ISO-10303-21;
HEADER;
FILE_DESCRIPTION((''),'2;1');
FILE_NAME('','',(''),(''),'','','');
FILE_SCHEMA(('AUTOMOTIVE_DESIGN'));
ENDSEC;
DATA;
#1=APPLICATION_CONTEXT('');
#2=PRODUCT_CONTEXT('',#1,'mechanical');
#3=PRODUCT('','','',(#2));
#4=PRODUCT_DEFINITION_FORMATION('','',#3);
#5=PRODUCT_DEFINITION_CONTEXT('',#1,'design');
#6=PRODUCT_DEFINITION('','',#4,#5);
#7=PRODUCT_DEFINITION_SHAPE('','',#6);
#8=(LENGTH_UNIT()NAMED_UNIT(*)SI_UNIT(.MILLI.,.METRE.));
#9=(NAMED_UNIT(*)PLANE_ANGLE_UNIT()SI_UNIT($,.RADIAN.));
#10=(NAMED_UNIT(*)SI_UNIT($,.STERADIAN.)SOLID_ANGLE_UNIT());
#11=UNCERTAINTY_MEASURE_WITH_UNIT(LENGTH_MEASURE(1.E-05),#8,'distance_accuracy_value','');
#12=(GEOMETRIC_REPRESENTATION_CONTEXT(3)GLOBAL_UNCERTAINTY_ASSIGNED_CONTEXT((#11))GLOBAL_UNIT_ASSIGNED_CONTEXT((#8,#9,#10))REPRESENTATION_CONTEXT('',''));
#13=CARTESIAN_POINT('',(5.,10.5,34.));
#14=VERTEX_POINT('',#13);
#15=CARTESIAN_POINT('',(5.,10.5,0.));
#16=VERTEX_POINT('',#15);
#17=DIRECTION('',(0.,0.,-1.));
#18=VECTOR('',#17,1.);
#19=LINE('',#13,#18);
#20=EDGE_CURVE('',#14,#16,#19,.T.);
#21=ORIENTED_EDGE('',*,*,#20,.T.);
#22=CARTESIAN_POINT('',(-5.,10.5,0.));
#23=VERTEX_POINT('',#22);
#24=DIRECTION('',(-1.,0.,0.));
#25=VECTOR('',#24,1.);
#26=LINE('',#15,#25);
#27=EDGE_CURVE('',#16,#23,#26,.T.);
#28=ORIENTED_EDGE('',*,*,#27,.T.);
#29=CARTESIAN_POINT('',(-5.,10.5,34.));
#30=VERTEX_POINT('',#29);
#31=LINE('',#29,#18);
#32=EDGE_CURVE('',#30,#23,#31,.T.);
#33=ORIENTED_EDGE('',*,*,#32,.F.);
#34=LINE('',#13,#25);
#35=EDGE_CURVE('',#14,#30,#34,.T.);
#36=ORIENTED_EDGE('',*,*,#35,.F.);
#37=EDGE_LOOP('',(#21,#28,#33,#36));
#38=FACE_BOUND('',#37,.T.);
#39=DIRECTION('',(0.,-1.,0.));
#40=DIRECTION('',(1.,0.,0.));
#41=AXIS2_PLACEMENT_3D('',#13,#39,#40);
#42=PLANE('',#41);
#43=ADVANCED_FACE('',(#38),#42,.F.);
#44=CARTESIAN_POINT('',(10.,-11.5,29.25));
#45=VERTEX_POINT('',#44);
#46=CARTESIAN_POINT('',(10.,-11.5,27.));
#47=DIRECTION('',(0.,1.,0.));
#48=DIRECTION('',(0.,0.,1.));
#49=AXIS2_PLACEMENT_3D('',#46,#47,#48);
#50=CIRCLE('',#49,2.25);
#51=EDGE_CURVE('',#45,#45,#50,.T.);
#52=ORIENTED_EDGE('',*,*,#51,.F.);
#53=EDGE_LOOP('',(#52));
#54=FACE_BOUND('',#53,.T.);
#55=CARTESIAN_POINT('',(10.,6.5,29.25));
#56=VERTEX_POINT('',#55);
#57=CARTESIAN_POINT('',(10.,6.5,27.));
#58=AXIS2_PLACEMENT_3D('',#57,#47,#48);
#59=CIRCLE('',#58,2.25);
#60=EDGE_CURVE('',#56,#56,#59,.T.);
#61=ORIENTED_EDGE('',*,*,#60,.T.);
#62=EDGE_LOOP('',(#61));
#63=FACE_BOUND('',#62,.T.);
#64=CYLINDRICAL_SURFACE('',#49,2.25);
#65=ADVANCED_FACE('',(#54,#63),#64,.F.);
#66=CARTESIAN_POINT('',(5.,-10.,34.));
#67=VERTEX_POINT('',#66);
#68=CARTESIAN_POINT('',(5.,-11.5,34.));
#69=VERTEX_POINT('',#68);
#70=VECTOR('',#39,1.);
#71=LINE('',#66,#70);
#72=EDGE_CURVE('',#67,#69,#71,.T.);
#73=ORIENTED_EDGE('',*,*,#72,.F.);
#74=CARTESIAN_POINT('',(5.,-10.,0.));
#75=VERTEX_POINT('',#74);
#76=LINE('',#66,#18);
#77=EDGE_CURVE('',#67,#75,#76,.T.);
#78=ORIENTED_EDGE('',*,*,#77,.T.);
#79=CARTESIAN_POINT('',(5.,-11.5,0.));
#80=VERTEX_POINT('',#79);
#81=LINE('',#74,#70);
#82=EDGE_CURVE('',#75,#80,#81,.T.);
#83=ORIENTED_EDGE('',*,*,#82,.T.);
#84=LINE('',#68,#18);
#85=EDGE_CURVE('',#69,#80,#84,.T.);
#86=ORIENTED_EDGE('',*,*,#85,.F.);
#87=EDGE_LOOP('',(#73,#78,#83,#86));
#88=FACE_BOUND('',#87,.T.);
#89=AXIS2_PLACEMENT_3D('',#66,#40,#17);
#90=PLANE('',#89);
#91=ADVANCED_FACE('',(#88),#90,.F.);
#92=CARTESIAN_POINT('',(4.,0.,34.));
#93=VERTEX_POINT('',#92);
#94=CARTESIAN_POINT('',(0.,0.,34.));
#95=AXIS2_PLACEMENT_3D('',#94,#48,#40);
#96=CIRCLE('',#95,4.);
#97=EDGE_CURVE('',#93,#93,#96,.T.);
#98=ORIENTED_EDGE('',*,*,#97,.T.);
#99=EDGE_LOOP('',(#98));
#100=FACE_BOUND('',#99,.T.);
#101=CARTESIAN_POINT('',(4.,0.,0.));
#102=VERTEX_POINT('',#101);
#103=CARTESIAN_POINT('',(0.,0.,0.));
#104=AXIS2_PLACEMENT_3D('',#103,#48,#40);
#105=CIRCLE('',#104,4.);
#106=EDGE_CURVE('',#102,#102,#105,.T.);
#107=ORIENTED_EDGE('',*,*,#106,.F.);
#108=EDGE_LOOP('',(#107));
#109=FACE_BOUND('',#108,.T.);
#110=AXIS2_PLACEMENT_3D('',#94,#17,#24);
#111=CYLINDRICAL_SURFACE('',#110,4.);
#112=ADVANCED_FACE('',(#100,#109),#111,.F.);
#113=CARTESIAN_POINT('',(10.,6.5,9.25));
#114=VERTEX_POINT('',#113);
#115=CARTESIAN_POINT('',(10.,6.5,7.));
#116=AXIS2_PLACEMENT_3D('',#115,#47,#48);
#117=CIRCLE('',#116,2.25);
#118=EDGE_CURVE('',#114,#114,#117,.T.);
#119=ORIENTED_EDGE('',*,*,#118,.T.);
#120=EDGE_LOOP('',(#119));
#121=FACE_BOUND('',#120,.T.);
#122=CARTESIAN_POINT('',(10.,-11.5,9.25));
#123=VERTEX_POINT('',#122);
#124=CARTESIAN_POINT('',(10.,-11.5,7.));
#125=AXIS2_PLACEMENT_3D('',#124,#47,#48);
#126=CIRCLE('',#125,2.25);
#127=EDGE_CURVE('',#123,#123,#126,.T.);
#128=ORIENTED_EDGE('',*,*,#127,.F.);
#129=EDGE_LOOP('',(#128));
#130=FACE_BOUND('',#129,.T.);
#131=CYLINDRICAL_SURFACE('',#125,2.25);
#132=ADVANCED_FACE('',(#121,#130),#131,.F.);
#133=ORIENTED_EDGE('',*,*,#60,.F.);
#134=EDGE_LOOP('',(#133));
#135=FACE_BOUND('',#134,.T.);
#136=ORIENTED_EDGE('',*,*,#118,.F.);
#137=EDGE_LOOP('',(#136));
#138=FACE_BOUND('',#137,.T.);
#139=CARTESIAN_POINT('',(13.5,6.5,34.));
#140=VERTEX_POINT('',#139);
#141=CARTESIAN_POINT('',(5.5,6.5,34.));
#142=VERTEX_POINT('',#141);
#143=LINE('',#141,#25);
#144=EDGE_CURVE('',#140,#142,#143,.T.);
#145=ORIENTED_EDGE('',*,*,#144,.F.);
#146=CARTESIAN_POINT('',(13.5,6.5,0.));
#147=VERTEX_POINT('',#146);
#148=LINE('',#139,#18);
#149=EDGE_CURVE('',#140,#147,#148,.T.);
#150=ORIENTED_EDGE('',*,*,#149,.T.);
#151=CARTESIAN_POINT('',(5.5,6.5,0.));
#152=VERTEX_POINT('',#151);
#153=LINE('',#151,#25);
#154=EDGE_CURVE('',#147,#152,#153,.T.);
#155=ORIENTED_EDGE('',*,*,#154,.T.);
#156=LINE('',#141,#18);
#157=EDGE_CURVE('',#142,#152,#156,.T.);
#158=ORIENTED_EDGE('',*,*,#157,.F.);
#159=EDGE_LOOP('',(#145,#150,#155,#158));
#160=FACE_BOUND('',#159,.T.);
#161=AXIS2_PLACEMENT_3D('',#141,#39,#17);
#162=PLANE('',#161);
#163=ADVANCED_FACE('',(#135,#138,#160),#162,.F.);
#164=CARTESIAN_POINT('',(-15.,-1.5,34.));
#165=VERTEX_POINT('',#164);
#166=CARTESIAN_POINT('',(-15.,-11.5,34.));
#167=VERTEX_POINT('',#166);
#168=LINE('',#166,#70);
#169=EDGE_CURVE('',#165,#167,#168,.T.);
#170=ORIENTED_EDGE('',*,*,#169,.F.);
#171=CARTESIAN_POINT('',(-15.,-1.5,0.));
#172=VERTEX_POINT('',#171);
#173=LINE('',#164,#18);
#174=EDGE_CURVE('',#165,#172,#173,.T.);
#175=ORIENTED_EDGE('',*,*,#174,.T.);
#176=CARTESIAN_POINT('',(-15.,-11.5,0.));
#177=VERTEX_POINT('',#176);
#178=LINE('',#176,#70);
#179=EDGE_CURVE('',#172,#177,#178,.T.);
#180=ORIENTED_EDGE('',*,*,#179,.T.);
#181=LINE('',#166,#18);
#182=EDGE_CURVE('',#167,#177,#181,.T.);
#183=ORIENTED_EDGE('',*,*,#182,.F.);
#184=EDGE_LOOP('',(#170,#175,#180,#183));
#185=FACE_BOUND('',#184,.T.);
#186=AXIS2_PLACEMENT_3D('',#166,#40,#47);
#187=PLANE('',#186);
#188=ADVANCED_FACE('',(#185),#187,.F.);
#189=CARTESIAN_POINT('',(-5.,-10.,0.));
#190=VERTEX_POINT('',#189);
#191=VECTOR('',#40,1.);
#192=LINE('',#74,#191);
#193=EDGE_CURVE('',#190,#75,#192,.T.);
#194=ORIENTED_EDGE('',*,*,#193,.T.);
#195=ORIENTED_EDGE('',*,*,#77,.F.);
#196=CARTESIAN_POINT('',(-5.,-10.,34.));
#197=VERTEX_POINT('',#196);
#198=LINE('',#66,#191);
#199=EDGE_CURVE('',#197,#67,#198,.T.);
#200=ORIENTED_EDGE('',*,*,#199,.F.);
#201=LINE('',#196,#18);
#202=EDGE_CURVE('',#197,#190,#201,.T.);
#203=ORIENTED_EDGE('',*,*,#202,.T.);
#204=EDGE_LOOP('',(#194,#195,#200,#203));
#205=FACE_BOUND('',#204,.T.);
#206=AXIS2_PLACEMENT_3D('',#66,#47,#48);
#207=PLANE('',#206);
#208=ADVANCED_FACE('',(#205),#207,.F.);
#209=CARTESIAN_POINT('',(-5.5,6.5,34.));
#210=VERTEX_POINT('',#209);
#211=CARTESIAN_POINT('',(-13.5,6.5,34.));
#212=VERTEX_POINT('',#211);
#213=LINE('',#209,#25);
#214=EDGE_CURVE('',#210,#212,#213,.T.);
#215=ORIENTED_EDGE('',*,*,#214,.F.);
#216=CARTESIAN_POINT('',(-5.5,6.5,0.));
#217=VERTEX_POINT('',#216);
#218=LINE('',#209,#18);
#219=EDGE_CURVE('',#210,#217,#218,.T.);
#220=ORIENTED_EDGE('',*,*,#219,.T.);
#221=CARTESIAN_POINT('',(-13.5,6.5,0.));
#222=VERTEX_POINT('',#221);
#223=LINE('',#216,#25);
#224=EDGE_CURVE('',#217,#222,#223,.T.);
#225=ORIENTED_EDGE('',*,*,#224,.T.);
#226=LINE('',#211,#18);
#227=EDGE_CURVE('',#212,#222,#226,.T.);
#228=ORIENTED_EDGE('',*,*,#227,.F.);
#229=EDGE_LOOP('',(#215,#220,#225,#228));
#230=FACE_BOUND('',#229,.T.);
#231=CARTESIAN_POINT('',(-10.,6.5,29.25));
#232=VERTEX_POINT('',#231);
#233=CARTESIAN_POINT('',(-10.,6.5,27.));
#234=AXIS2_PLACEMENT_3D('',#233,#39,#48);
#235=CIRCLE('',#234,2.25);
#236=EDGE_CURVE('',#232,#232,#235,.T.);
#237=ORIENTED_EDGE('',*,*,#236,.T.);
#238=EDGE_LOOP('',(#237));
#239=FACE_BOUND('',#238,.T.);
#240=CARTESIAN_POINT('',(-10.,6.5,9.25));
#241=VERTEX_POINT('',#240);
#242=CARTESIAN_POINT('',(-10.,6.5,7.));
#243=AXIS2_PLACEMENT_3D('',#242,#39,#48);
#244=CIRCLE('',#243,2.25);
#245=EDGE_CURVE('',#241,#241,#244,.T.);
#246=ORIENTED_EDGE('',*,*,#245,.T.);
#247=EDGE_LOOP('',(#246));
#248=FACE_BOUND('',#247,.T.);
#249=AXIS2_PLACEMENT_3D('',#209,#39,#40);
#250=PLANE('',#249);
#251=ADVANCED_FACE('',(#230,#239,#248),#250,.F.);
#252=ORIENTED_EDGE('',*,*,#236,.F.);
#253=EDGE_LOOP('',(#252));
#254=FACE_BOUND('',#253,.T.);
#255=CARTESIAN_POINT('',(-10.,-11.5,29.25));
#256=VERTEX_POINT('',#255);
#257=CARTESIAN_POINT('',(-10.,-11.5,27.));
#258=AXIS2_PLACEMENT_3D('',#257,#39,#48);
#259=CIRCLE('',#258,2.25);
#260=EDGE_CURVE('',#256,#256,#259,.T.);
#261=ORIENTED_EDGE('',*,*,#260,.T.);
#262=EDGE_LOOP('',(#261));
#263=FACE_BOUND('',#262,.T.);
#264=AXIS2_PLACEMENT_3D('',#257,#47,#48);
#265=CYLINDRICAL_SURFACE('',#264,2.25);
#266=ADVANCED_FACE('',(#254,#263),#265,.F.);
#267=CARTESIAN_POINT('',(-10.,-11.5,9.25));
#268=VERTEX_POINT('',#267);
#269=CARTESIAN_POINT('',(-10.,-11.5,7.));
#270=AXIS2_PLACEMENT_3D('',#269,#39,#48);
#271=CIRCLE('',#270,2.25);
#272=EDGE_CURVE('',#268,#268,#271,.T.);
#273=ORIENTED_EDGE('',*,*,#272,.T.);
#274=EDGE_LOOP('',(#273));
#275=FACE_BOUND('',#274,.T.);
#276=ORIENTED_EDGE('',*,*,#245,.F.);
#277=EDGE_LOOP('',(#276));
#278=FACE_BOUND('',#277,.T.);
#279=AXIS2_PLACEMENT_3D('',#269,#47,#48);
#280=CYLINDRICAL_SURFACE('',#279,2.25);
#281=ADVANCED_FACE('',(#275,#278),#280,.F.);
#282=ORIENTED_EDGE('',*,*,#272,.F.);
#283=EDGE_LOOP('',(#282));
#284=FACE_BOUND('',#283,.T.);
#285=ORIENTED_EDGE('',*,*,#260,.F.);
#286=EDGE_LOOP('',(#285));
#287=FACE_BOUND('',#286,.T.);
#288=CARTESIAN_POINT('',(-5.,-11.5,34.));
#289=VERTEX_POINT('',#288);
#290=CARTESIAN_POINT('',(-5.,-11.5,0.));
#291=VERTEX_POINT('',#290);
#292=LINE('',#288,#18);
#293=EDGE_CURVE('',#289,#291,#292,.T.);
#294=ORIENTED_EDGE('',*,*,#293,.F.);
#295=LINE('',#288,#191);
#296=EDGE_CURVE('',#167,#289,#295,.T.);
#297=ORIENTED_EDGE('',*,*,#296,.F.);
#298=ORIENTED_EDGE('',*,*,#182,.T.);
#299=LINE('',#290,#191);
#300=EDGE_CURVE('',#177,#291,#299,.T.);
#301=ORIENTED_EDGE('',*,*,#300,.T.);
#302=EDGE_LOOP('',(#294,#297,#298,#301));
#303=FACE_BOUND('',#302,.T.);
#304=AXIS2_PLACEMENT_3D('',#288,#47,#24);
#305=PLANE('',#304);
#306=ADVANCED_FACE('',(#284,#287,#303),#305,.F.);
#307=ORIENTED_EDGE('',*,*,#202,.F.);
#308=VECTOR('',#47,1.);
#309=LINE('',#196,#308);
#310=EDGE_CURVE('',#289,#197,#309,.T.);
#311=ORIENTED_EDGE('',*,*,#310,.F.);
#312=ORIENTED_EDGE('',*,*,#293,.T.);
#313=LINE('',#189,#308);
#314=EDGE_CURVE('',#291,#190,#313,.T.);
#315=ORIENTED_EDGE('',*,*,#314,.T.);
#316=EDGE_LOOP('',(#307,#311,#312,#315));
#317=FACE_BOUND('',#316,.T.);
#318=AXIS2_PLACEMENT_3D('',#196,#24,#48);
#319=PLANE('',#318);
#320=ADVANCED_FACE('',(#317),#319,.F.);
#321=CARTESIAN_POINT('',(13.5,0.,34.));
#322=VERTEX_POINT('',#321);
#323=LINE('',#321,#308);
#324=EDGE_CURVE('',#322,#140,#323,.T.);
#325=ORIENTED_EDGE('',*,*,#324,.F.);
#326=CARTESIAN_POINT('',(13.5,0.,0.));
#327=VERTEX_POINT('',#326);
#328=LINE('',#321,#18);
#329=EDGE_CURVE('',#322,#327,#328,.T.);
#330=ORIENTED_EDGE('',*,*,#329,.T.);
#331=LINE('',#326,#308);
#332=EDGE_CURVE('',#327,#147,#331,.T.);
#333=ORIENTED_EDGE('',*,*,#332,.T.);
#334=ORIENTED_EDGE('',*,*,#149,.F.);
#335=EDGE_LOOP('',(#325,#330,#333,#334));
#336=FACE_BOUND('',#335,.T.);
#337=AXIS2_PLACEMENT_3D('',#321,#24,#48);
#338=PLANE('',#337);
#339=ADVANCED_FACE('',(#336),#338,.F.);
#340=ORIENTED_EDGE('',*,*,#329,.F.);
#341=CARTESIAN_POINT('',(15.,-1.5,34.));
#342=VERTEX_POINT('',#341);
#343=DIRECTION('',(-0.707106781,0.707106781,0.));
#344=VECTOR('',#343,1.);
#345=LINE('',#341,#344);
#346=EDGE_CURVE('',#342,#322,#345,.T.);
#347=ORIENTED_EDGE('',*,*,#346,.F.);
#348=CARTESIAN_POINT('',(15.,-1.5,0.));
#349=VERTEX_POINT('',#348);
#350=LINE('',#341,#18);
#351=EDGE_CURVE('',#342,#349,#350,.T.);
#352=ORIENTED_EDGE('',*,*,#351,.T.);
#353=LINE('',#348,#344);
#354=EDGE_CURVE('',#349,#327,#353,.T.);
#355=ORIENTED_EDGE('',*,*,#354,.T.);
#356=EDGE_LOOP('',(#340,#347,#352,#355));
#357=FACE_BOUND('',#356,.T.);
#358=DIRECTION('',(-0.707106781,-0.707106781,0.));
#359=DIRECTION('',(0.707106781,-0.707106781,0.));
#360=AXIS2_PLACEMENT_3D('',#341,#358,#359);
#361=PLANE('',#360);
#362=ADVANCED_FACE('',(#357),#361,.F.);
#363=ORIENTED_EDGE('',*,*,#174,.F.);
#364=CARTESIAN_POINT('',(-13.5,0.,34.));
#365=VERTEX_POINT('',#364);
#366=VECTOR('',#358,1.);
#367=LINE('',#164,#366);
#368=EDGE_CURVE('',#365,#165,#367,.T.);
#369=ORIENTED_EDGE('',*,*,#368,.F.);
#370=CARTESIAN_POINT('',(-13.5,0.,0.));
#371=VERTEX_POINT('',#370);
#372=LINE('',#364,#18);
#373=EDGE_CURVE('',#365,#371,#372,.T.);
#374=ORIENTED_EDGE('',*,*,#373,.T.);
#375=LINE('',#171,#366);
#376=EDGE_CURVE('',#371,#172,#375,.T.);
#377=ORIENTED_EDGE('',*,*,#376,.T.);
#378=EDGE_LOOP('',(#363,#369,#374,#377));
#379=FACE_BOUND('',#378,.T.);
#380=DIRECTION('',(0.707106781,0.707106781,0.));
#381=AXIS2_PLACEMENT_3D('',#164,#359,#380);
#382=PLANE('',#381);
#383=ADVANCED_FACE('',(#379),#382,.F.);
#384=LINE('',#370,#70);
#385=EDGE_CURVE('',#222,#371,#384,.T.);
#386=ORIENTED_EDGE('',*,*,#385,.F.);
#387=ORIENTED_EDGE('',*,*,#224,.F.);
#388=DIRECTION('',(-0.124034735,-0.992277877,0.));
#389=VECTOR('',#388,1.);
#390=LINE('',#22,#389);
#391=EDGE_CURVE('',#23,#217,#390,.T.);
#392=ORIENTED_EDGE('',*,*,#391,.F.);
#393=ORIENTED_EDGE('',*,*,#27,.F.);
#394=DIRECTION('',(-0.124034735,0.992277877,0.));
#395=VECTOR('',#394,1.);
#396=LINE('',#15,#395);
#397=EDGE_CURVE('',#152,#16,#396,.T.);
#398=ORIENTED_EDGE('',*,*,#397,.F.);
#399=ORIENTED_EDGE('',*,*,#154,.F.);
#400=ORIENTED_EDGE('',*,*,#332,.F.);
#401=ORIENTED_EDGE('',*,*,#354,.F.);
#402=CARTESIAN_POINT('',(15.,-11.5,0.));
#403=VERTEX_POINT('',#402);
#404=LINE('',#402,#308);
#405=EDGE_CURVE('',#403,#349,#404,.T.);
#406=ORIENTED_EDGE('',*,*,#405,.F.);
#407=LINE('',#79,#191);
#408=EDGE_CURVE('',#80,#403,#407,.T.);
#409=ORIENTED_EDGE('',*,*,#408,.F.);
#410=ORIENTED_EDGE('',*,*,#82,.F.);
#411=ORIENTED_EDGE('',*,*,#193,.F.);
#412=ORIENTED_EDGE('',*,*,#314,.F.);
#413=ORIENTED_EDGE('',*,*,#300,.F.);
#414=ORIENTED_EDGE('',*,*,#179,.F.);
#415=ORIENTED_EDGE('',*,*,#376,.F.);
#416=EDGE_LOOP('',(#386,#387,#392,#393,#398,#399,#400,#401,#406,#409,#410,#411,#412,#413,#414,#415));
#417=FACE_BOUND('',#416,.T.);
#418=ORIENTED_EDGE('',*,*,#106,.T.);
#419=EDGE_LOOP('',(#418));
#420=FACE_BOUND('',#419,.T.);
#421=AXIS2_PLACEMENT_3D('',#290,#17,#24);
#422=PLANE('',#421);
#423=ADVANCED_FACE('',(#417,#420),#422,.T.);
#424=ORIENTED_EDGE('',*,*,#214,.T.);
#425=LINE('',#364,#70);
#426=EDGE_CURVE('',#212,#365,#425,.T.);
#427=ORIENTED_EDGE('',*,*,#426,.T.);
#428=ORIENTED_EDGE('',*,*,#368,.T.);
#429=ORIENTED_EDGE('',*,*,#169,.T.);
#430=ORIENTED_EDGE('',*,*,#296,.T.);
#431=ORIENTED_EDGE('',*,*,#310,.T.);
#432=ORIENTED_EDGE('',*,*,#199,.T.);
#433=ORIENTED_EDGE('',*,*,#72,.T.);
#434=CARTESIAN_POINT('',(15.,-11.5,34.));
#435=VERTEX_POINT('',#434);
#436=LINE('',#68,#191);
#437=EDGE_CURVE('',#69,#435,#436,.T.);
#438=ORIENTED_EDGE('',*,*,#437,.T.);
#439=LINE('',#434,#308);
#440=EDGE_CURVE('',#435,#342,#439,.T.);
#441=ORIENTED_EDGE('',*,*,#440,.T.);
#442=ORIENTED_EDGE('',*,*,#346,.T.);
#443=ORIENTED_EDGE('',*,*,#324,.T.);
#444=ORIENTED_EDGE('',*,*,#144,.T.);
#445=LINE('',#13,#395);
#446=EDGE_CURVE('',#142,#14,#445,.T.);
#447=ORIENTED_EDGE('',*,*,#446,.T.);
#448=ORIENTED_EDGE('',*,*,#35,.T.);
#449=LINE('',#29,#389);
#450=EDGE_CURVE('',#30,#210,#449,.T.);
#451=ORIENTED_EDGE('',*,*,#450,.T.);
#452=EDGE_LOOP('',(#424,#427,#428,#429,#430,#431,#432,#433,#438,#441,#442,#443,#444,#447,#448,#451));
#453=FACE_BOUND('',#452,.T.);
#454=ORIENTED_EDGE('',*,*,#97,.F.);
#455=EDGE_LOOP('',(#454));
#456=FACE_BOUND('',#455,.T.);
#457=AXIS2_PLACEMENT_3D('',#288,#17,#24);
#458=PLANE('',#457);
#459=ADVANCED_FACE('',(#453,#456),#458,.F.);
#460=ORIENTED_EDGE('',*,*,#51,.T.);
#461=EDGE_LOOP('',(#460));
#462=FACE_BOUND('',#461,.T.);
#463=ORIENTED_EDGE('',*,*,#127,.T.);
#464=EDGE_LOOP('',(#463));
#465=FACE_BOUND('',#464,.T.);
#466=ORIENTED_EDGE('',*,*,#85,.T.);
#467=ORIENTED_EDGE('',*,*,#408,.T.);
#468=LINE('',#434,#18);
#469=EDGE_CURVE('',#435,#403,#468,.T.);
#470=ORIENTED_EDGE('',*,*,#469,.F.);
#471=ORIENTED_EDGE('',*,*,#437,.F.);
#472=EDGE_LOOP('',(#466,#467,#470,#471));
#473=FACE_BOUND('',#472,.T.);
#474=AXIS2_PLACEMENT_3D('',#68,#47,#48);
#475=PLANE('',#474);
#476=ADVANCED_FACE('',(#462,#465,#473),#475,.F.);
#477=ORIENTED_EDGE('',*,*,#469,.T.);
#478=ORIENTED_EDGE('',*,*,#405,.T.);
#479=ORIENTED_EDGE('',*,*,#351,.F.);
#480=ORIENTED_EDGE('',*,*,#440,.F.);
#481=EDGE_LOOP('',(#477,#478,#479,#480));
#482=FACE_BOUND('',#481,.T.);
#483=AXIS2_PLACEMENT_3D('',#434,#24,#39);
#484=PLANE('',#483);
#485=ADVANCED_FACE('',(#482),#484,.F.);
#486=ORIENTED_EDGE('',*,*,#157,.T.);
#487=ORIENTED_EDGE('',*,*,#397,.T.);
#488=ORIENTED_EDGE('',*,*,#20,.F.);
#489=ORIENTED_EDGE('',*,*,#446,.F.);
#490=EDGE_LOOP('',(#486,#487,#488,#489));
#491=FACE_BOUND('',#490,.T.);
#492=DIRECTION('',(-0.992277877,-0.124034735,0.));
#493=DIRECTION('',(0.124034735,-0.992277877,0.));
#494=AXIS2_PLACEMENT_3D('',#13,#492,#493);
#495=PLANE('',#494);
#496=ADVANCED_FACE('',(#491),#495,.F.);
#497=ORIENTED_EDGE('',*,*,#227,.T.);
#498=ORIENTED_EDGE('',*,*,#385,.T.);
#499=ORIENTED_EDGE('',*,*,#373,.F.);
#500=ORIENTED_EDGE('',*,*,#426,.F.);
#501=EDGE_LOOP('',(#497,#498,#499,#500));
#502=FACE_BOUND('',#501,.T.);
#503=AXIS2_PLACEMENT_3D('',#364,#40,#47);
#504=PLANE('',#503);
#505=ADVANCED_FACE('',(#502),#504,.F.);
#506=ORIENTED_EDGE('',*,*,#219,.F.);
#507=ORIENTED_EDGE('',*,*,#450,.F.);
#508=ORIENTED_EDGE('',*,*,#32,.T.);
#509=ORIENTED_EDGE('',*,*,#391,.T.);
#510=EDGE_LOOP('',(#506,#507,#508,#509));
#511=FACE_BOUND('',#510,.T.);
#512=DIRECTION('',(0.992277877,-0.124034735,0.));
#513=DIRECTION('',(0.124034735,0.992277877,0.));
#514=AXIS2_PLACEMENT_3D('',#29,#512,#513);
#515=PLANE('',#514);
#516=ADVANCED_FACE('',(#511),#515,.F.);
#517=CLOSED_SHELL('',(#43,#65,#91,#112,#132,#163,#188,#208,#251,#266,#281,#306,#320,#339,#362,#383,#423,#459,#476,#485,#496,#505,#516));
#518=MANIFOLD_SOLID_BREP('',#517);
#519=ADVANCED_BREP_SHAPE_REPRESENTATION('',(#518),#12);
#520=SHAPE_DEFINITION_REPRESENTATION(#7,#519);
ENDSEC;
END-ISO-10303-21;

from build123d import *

# Parameters (mm, degrees)
SKETCH1_R           = 4
BOSS_EXTRUDE1_DEPTH = 34
SKETCH2_R           = 2.25
CUT_EXTRUDE1_DEPTH  = 42.291645644


with BuildPart() as part:
    # Sketch1 → Boss-Extrude1 (new body)
    with BuildSketch(Plane.XY):
        Polygon((5, -10), (-5, -10), (-5, -11.5), (-15, -11.5), (-15, -1.5), (-13.5, 0), (-13.5, 6.5), (-5.5, 6.5), (-5, 10.5), (5, 10.5), (5.5, 6.5), (13.5, 6.5), (13.5, 0), (15, -1.5), (15, -11.5), (5, -11.5), align=None)
        Circle(SKETCH1_R, mode=Mode.SUBTRACT)
    extrude(amount=BOSS_EXTRUDE1_DEPTH)

    # Sketch2 → Cut-Extrude1 (cut, through all)
    with BuildSketch(Plane(origin=(0, 6.5, 0), x_dir=(1, 0, 0), z_dir=(0, 1, 0))):
        with Locations(Location((10, -27, 0), (0, 0, 270))):
            Circle(SKETCH2_R)
        with Locations(Location((10, -7, 0), (0, 0, 270))):
            Circle(SKETCH2_R)
    cut_extrude1 = extrude(amount=-CUT_EXTRUDE1_DEPTH, mode=Mode.SUBTRACT)

    # Mirror1: Cut-Extrude1 across plane
    add(cut_extrude1.mirror(Plane(origin=(0, 0, 0), x_dir=(0, 0, 1), z_dir=(1, 0, 0))), mode=Mode.SUBTRACT)


solid = part.part
